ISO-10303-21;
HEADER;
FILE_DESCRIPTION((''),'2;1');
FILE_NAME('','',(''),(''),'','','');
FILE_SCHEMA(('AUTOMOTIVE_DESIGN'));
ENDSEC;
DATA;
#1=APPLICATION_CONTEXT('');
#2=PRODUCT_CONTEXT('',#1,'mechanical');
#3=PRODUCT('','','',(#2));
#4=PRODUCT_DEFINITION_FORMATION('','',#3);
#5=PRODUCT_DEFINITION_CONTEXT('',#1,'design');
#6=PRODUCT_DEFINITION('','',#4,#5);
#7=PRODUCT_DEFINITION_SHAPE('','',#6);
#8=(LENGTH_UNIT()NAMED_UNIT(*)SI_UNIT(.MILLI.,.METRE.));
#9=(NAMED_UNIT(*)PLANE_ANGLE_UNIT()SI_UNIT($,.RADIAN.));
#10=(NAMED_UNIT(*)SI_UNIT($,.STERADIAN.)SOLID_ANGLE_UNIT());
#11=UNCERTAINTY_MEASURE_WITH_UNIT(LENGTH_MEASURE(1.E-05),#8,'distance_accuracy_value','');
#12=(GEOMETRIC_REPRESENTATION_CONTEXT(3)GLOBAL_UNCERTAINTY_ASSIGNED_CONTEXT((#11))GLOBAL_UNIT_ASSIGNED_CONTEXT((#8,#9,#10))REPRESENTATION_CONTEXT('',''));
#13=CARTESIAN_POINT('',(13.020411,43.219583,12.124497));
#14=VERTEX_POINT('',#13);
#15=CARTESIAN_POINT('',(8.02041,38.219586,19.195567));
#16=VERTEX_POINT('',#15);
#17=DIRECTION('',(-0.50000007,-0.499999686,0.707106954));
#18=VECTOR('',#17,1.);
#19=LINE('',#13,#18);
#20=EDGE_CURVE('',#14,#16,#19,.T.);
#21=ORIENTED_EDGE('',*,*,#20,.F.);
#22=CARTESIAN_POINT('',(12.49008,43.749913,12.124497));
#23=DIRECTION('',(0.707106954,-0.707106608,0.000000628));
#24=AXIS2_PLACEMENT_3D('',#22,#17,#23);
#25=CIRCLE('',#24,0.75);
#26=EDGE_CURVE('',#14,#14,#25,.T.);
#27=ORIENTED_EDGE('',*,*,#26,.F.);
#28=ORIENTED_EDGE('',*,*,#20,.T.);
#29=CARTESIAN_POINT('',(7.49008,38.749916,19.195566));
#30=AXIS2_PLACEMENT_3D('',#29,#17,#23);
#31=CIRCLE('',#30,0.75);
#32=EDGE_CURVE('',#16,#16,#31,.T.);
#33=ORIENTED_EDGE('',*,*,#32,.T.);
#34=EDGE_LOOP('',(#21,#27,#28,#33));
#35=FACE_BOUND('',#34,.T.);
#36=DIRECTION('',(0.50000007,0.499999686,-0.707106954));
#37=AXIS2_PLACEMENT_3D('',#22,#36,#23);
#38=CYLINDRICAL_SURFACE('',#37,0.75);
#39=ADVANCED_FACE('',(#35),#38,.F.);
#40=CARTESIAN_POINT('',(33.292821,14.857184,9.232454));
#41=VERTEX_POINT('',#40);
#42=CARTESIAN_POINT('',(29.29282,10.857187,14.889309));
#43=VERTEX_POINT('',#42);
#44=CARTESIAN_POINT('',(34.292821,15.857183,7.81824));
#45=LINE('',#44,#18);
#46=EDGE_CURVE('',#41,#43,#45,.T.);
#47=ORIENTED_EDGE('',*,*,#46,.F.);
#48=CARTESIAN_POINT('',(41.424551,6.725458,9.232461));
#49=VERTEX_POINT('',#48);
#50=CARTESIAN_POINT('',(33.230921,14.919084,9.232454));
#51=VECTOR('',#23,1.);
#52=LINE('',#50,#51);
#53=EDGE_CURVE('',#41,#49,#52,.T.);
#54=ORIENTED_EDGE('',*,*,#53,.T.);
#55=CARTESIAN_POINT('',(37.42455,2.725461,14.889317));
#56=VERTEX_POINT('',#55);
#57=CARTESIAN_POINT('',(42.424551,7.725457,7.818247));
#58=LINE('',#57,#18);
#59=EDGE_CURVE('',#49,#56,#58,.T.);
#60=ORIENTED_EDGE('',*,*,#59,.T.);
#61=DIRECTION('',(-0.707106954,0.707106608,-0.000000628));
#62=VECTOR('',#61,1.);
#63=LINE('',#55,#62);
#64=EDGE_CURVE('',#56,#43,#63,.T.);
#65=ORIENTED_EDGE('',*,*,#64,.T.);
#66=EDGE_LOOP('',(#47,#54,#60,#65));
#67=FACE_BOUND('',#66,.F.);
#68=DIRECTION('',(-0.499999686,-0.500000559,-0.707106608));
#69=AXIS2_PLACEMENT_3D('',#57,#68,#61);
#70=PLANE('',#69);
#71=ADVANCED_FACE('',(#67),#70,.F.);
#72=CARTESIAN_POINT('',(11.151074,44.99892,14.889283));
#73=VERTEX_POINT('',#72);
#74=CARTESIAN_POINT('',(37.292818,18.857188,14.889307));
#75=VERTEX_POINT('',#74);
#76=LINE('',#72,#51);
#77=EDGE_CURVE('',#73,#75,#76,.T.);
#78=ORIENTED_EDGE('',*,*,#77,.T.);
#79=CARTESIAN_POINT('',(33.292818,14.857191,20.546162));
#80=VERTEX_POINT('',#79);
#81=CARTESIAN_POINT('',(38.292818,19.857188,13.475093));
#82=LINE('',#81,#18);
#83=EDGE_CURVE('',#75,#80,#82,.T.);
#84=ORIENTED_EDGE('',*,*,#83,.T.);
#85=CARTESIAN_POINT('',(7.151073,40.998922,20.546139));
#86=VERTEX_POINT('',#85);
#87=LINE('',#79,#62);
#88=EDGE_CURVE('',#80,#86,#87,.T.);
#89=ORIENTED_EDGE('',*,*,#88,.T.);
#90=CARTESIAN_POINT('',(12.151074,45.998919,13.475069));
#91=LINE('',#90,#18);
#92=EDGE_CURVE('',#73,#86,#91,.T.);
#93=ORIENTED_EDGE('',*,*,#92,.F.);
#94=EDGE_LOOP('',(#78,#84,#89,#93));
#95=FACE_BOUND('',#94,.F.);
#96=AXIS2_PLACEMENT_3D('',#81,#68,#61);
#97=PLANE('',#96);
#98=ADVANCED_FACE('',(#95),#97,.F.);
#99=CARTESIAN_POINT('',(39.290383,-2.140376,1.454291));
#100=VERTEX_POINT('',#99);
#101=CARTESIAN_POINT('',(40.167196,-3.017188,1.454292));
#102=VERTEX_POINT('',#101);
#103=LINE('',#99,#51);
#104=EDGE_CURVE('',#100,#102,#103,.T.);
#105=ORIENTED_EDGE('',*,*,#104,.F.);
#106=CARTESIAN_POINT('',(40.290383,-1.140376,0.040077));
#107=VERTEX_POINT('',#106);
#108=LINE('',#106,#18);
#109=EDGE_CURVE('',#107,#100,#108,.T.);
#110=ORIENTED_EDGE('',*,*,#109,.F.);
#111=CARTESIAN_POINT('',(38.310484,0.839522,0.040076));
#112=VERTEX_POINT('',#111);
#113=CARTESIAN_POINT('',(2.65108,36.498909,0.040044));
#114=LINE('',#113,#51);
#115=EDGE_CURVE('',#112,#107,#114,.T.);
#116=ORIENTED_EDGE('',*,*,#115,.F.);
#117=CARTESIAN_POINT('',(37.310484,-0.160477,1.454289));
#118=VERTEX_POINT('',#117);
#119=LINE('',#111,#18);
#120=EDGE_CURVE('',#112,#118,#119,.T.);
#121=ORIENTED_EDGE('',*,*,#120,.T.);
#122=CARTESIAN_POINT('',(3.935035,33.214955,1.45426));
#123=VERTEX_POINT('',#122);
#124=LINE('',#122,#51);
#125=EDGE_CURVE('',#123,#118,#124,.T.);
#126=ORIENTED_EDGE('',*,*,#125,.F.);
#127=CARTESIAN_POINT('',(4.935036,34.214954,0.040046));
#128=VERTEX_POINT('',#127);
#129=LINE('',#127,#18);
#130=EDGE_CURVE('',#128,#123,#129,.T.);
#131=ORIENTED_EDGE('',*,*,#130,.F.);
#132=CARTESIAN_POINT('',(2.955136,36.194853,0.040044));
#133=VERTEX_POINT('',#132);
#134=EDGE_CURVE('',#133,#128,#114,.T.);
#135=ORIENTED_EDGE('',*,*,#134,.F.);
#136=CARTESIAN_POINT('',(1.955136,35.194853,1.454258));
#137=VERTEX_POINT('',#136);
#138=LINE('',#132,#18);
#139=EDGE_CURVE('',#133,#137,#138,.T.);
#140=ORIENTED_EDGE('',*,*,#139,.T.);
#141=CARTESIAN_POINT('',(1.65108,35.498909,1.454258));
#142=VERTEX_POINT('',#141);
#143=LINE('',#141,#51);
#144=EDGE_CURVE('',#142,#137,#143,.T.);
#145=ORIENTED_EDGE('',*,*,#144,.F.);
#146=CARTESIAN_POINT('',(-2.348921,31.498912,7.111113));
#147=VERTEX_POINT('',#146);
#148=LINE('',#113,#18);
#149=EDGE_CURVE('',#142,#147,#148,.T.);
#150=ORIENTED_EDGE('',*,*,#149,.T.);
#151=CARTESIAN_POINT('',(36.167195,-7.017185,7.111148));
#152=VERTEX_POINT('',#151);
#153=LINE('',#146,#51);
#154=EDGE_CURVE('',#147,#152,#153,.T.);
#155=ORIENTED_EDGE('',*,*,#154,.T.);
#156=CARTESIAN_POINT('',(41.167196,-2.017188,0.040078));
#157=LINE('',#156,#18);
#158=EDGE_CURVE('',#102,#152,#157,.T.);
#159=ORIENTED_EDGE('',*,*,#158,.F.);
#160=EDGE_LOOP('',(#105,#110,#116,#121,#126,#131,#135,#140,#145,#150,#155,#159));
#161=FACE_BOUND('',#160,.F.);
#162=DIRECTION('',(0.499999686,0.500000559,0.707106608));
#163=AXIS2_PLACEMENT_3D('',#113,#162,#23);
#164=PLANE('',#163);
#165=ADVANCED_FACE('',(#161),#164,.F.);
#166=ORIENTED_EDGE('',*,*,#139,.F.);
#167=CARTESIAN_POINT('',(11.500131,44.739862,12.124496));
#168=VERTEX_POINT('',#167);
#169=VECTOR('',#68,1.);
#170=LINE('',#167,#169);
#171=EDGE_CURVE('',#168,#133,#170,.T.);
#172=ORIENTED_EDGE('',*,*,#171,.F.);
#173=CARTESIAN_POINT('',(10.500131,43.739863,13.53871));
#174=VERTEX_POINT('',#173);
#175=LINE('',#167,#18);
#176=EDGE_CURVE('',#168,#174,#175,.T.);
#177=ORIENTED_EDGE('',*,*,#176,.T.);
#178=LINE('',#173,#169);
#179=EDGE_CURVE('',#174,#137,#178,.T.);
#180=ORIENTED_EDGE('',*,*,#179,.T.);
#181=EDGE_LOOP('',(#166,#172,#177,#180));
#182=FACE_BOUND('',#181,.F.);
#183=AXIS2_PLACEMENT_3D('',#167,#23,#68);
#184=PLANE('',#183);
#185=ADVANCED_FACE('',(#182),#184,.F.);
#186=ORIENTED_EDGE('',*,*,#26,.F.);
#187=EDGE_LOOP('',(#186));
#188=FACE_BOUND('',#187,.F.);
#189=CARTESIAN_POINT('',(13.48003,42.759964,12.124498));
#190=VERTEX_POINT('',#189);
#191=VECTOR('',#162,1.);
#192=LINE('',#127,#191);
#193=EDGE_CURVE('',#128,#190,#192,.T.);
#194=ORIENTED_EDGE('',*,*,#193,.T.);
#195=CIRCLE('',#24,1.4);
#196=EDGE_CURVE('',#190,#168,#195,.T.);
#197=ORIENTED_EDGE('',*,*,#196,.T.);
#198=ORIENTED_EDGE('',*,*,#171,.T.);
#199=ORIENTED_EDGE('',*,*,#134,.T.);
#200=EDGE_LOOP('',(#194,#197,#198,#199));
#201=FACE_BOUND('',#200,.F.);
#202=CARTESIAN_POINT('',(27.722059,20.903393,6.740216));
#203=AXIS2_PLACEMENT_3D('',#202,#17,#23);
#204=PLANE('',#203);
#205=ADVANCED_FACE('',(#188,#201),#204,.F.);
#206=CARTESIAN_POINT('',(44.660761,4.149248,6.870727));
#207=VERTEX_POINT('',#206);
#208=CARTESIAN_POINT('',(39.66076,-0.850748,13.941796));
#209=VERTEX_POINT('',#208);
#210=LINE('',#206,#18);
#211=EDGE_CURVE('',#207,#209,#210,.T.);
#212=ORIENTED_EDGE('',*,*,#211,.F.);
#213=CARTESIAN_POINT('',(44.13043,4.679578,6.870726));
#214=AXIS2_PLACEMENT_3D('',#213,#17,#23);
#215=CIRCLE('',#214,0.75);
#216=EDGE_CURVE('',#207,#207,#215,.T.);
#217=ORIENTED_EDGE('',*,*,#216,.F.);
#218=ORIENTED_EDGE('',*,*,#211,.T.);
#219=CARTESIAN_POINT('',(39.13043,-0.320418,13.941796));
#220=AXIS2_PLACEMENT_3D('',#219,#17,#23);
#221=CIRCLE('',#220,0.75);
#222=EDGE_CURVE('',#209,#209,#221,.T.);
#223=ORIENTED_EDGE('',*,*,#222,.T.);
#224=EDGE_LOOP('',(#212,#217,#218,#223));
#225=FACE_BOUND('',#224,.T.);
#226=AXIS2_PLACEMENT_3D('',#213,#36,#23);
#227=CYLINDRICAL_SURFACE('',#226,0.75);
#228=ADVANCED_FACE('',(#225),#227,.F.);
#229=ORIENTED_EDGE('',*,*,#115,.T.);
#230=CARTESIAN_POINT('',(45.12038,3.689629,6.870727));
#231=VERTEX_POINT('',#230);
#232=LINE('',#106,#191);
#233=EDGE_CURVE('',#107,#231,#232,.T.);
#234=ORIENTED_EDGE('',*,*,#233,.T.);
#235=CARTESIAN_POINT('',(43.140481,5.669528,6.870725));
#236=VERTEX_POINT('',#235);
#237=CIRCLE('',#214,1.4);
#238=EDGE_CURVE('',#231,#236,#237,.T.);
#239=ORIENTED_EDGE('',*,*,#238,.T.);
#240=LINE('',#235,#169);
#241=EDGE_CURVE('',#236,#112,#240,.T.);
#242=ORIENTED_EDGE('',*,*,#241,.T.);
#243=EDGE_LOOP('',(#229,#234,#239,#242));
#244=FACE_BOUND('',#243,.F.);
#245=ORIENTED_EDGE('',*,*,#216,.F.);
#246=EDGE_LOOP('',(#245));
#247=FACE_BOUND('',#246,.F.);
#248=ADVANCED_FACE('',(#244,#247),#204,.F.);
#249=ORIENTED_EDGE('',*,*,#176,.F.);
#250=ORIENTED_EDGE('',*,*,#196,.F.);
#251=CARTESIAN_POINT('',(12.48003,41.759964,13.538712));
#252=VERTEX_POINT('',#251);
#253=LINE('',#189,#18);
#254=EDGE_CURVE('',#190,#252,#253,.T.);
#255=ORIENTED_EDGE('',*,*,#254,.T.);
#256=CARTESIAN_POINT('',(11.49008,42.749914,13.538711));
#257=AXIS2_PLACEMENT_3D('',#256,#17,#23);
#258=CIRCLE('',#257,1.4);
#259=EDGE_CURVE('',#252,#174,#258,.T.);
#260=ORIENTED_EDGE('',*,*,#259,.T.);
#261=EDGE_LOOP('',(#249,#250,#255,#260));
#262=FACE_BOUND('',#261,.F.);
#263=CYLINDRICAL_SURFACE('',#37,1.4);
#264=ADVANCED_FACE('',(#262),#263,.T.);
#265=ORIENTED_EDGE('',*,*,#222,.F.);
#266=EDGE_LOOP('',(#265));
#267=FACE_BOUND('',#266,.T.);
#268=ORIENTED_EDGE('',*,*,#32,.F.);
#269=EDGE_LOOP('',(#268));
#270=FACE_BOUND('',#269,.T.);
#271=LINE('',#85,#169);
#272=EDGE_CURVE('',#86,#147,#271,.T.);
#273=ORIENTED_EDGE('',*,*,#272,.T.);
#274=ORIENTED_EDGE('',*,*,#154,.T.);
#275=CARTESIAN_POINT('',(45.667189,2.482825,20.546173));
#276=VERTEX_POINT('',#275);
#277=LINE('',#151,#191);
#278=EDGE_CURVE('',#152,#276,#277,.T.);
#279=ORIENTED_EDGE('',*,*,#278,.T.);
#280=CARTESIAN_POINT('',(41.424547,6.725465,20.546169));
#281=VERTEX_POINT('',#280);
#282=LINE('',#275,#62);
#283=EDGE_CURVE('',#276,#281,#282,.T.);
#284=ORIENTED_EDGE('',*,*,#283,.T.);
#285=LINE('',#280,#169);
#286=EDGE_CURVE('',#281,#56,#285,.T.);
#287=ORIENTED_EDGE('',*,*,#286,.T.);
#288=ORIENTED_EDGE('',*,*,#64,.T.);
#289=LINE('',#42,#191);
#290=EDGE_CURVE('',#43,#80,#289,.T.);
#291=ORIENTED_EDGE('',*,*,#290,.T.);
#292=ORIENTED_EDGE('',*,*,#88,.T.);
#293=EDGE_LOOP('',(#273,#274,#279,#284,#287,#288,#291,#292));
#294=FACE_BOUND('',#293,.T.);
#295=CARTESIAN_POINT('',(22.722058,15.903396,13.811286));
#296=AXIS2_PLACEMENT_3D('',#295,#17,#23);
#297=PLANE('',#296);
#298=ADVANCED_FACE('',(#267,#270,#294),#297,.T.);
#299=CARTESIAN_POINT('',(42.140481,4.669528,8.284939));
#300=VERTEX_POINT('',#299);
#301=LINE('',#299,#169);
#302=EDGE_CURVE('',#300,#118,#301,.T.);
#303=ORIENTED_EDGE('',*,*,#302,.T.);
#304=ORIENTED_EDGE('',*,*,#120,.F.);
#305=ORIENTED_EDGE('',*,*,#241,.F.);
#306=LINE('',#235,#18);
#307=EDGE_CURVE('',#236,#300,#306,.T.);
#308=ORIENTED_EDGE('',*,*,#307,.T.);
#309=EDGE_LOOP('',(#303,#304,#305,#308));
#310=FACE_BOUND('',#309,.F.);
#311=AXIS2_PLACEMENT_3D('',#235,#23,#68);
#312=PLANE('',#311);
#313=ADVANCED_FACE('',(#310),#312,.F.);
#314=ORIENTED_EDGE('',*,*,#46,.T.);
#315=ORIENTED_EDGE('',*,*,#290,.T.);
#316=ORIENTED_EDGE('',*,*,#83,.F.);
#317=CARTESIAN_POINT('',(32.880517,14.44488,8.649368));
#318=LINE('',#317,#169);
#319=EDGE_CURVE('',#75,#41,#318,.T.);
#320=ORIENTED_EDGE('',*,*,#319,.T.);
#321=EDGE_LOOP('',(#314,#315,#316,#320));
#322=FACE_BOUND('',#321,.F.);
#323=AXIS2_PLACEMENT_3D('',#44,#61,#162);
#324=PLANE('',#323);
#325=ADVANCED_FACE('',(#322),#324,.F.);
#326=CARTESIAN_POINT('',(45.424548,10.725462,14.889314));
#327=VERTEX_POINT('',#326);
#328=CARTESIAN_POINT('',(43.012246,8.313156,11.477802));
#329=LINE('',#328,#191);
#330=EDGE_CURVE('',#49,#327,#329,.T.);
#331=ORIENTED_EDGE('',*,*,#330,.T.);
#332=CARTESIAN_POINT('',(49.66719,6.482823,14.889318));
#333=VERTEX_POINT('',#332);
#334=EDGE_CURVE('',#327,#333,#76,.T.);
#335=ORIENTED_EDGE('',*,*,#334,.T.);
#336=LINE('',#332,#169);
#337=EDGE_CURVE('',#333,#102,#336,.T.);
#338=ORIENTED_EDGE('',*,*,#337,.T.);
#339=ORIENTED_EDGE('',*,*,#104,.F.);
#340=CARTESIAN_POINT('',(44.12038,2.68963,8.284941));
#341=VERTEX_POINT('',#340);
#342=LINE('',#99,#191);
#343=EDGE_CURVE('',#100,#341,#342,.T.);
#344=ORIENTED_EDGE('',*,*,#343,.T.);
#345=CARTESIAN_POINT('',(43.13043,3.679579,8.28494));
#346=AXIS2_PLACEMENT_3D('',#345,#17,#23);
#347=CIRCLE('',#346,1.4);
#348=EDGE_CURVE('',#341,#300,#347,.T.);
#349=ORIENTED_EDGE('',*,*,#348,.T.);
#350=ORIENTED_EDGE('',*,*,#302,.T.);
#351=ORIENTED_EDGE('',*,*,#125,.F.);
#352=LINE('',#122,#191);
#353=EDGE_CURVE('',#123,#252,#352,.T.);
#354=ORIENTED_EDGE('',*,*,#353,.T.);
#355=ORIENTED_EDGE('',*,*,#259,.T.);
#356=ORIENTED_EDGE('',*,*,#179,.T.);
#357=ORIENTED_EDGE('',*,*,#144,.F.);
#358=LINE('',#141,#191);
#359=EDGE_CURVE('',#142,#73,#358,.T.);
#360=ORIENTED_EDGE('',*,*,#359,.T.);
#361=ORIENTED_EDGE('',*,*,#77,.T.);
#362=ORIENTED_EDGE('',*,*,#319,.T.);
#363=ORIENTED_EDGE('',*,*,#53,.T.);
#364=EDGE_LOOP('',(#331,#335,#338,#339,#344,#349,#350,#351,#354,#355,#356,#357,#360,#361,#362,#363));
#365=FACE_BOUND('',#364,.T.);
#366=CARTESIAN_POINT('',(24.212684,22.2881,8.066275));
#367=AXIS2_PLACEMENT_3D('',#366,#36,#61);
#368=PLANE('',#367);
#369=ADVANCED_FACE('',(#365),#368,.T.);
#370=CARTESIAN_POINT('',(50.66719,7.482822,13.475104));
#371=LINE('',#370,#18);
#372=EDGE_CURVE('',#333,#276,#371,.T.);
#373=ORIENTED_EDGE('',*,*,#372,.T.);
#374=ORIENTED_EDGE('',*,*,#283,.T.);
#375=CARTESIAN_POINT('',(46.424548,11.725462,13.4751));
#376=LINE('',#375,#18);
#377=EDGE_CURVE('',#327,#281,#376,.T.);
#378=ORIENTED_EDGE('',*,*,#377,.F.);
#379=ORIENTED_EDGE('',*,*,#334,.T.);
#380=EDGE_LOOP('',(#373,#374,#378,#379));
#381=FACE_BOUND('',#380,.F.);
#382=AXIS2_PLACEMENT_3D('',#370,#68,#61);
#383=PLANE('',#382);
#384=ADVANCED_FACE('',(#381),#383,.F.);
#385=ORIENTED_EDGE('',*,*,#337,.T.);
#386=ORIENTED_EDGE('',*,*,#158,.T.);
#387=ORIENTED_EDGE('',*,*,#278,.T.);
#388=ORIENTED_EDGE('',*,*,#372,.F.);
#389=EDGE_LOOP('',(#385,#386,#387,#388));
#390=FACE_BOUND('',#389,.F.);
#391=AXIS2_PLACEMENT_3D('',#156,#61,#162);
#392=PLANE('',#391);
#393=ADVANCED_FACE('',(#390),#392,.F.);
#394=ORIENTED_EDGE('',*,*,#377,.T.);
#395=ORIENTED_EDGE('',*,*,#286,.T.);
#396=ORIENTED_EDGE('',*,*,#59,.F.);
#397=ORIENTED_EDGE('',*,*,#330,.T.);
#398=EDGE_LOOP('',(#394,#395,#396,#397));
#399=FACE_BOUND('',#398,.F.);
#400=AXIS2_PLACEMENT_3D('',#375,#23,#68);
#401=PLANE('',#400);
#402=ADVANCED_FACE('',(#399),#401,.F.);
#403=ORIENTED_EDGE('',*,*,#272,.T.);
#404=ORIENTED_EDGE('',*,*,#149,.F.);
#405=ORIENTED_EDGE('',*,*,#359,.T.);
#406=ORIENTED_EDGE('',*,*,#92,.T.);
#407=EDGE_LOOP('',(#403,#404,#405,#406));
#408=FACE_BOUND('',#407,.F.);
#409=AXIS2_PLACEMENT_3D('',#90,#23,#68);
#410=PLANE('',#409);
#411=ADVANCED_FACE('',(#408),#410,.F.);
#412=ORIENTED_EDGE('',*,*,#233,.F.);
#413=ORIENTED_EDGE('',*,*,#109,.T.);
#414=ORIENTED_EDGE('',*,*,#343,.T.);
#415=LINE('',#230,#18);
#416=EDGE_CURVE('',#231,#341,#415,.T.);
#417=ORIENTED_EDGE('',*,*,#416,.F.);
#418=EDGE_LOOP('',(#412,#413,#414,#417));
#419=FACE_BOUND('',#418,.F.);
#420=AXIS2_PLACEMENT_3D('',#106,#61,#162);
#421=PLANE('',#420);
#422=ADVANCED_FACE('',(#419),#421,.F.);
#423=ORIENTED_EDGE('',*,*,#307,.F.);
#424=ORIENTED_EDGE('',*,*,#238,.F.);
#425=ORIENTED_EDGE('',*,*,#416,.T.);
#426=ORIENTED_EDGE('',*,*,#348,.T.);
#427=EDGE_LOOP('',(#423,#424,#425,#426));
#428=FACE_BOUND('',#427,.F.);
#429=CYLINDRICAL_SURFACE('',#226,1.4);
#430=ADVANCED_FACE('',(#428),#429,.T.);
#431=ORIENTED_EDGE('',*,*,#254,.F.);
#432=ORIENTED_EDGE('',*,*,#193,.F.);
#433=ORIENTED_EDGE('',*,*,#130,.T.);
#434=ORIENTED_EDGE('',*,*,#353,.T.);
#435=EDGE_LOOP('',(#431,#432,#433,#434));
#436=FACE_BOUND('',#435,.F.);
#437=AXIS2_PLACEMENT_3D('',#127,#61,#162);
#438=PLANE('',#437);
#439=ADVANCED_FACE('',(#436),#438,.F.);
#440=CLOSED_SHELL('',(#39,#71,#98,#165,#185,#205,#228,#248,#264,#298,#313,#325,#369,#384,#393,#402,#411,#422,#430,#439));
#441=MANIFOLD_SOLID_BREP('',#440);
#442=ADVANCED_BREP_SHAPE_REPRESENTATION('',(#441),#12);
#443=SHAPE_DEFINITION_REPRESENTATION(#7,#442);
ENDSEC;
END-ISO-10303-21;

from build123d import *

# Parameters (mm, degrees)
SKETCH001_R             = 0.75
PAD_DEPTH               = 10
POCKET001_DEPTH         = 5
POCKET002_DEPTH         = 2
BODY001_ROLL_ANGLE      = 44.999986
BODY001_PITCH_ANGLE     = -3.6e-05
BODY001_PLACEMENT_ANGLE = -44.999986


with BuildPart() as part:
    # Sketch001 → Pad (new body)
    with BuildSketch(Plane.XY):
        Polygon((-26.02, -9.66), (28.45, -9.66), (28.45, 9.34), (22.45, 9.34), (22.45, 1.34), (10.95, 1.34), (10.95, 9.34), (-26.02, 9.34), align=None)
        with Locations((-24.19, 7.43)):
            Circle(SKETCH001_R, mode=Mode.SUBTRACT)
        with Locations((25.81, 0)):
            Circle(SKETCH001_R, mode=Mode.SUBTRACT)
    extrude(amount=PAD_DEPTH)

    # Sketch007 → Pocket001 (cut)
    with BuildSketch(Plane.XY):
        with BuildLine():
            Line((-26.02, -9.66), (-26.02, 9.34))
            Line((-26.02, 9.34), (28.45, 9.34))
            Line((28.45, 9.34), (28.45, -9.66))
            Line((27.21, -9.66), (28.45, -9.66))
            Line((27.21, -9.66), (27.21, 0))
            ThreePointArc((27.21, 0), (25.81, 1.4), (24.41, 0))
            Line((24.41, 0), (24.41, -9.66))
            Line((-22.79, -9.66), (24.41, -9.66))
            Line((-22.79, -9.66), (-22.79, 7.43))
            ThreePointArc((-22.79, 7.43), (-24.19, 8.83), (-25.59, 7.43))
            Line((-25.59, 7.43), (-25.59, -9.66))
            Line((-26.02, -9.66), (-25.59, -9.66))
        make_face()
    extrude(amount=-POCKET001_DEPTH, mode=Mode.SUBTRACT)

    # Sketch007 → Pocket002 (cut)
    with BuildSketch(Plane.XY):
        with BuildLine():
            Line((-26.02, -9.66), (-26.02, 9.34))
            Line((-26.02, 9.34), (28.45, 9.34))
            Line((28.45, 9.34), (28.45, -9.66))
            Line((27.21, -9.66), (28.45, -9.66))
            Line((27.21, -9.66), (27.21, 0))
            ThreePointArc((27.21, 0), (25.81, 1.4), (24.41, 0))
            Line((24.41, 0), (24.41, -9.66))
            Line((-22.79, -9.66), (24.41, -9.66))
            Line((-22.79, -9.66), (-22.79, 7.43))
            ThreePointArc((-22.79, 7.43), (-24.19, 8.83), (-25.59, 7.43))
            Line((-25.59, 7.43), (-25.59, -9.66))
            Line((-26.02, -9.66), (-25.59, -9.66))
        make_face()
    extrude(amount=POCKET002_DEPTH, mode=Mode.SUBTRACT)


with BuildPart() as part_1:
    # Body001 roll: moved
    add(part.part.rotate(Axis((0, 0, 0), (1, 0, 0)), BODY001_ROLL_ANGLE))


with BuildPart() as part_2:
    # Body001 pitch: moved
    add(part_1.part.rotate(Axis((0, 0, 0), (0, 1, 0)), BODY001_PITCH_ANGLE))


with BuildPart() as part_3:
    # Body001 placement: moved
    add(part_2.part.moved(Location((25.88, 22.93, 6.87071))).rotate(Axis((25.88, 22.93, 6.87071), (0, 0, 1)), BODY001_PLACEMENT_ANGLE))


solid = part_3.part
